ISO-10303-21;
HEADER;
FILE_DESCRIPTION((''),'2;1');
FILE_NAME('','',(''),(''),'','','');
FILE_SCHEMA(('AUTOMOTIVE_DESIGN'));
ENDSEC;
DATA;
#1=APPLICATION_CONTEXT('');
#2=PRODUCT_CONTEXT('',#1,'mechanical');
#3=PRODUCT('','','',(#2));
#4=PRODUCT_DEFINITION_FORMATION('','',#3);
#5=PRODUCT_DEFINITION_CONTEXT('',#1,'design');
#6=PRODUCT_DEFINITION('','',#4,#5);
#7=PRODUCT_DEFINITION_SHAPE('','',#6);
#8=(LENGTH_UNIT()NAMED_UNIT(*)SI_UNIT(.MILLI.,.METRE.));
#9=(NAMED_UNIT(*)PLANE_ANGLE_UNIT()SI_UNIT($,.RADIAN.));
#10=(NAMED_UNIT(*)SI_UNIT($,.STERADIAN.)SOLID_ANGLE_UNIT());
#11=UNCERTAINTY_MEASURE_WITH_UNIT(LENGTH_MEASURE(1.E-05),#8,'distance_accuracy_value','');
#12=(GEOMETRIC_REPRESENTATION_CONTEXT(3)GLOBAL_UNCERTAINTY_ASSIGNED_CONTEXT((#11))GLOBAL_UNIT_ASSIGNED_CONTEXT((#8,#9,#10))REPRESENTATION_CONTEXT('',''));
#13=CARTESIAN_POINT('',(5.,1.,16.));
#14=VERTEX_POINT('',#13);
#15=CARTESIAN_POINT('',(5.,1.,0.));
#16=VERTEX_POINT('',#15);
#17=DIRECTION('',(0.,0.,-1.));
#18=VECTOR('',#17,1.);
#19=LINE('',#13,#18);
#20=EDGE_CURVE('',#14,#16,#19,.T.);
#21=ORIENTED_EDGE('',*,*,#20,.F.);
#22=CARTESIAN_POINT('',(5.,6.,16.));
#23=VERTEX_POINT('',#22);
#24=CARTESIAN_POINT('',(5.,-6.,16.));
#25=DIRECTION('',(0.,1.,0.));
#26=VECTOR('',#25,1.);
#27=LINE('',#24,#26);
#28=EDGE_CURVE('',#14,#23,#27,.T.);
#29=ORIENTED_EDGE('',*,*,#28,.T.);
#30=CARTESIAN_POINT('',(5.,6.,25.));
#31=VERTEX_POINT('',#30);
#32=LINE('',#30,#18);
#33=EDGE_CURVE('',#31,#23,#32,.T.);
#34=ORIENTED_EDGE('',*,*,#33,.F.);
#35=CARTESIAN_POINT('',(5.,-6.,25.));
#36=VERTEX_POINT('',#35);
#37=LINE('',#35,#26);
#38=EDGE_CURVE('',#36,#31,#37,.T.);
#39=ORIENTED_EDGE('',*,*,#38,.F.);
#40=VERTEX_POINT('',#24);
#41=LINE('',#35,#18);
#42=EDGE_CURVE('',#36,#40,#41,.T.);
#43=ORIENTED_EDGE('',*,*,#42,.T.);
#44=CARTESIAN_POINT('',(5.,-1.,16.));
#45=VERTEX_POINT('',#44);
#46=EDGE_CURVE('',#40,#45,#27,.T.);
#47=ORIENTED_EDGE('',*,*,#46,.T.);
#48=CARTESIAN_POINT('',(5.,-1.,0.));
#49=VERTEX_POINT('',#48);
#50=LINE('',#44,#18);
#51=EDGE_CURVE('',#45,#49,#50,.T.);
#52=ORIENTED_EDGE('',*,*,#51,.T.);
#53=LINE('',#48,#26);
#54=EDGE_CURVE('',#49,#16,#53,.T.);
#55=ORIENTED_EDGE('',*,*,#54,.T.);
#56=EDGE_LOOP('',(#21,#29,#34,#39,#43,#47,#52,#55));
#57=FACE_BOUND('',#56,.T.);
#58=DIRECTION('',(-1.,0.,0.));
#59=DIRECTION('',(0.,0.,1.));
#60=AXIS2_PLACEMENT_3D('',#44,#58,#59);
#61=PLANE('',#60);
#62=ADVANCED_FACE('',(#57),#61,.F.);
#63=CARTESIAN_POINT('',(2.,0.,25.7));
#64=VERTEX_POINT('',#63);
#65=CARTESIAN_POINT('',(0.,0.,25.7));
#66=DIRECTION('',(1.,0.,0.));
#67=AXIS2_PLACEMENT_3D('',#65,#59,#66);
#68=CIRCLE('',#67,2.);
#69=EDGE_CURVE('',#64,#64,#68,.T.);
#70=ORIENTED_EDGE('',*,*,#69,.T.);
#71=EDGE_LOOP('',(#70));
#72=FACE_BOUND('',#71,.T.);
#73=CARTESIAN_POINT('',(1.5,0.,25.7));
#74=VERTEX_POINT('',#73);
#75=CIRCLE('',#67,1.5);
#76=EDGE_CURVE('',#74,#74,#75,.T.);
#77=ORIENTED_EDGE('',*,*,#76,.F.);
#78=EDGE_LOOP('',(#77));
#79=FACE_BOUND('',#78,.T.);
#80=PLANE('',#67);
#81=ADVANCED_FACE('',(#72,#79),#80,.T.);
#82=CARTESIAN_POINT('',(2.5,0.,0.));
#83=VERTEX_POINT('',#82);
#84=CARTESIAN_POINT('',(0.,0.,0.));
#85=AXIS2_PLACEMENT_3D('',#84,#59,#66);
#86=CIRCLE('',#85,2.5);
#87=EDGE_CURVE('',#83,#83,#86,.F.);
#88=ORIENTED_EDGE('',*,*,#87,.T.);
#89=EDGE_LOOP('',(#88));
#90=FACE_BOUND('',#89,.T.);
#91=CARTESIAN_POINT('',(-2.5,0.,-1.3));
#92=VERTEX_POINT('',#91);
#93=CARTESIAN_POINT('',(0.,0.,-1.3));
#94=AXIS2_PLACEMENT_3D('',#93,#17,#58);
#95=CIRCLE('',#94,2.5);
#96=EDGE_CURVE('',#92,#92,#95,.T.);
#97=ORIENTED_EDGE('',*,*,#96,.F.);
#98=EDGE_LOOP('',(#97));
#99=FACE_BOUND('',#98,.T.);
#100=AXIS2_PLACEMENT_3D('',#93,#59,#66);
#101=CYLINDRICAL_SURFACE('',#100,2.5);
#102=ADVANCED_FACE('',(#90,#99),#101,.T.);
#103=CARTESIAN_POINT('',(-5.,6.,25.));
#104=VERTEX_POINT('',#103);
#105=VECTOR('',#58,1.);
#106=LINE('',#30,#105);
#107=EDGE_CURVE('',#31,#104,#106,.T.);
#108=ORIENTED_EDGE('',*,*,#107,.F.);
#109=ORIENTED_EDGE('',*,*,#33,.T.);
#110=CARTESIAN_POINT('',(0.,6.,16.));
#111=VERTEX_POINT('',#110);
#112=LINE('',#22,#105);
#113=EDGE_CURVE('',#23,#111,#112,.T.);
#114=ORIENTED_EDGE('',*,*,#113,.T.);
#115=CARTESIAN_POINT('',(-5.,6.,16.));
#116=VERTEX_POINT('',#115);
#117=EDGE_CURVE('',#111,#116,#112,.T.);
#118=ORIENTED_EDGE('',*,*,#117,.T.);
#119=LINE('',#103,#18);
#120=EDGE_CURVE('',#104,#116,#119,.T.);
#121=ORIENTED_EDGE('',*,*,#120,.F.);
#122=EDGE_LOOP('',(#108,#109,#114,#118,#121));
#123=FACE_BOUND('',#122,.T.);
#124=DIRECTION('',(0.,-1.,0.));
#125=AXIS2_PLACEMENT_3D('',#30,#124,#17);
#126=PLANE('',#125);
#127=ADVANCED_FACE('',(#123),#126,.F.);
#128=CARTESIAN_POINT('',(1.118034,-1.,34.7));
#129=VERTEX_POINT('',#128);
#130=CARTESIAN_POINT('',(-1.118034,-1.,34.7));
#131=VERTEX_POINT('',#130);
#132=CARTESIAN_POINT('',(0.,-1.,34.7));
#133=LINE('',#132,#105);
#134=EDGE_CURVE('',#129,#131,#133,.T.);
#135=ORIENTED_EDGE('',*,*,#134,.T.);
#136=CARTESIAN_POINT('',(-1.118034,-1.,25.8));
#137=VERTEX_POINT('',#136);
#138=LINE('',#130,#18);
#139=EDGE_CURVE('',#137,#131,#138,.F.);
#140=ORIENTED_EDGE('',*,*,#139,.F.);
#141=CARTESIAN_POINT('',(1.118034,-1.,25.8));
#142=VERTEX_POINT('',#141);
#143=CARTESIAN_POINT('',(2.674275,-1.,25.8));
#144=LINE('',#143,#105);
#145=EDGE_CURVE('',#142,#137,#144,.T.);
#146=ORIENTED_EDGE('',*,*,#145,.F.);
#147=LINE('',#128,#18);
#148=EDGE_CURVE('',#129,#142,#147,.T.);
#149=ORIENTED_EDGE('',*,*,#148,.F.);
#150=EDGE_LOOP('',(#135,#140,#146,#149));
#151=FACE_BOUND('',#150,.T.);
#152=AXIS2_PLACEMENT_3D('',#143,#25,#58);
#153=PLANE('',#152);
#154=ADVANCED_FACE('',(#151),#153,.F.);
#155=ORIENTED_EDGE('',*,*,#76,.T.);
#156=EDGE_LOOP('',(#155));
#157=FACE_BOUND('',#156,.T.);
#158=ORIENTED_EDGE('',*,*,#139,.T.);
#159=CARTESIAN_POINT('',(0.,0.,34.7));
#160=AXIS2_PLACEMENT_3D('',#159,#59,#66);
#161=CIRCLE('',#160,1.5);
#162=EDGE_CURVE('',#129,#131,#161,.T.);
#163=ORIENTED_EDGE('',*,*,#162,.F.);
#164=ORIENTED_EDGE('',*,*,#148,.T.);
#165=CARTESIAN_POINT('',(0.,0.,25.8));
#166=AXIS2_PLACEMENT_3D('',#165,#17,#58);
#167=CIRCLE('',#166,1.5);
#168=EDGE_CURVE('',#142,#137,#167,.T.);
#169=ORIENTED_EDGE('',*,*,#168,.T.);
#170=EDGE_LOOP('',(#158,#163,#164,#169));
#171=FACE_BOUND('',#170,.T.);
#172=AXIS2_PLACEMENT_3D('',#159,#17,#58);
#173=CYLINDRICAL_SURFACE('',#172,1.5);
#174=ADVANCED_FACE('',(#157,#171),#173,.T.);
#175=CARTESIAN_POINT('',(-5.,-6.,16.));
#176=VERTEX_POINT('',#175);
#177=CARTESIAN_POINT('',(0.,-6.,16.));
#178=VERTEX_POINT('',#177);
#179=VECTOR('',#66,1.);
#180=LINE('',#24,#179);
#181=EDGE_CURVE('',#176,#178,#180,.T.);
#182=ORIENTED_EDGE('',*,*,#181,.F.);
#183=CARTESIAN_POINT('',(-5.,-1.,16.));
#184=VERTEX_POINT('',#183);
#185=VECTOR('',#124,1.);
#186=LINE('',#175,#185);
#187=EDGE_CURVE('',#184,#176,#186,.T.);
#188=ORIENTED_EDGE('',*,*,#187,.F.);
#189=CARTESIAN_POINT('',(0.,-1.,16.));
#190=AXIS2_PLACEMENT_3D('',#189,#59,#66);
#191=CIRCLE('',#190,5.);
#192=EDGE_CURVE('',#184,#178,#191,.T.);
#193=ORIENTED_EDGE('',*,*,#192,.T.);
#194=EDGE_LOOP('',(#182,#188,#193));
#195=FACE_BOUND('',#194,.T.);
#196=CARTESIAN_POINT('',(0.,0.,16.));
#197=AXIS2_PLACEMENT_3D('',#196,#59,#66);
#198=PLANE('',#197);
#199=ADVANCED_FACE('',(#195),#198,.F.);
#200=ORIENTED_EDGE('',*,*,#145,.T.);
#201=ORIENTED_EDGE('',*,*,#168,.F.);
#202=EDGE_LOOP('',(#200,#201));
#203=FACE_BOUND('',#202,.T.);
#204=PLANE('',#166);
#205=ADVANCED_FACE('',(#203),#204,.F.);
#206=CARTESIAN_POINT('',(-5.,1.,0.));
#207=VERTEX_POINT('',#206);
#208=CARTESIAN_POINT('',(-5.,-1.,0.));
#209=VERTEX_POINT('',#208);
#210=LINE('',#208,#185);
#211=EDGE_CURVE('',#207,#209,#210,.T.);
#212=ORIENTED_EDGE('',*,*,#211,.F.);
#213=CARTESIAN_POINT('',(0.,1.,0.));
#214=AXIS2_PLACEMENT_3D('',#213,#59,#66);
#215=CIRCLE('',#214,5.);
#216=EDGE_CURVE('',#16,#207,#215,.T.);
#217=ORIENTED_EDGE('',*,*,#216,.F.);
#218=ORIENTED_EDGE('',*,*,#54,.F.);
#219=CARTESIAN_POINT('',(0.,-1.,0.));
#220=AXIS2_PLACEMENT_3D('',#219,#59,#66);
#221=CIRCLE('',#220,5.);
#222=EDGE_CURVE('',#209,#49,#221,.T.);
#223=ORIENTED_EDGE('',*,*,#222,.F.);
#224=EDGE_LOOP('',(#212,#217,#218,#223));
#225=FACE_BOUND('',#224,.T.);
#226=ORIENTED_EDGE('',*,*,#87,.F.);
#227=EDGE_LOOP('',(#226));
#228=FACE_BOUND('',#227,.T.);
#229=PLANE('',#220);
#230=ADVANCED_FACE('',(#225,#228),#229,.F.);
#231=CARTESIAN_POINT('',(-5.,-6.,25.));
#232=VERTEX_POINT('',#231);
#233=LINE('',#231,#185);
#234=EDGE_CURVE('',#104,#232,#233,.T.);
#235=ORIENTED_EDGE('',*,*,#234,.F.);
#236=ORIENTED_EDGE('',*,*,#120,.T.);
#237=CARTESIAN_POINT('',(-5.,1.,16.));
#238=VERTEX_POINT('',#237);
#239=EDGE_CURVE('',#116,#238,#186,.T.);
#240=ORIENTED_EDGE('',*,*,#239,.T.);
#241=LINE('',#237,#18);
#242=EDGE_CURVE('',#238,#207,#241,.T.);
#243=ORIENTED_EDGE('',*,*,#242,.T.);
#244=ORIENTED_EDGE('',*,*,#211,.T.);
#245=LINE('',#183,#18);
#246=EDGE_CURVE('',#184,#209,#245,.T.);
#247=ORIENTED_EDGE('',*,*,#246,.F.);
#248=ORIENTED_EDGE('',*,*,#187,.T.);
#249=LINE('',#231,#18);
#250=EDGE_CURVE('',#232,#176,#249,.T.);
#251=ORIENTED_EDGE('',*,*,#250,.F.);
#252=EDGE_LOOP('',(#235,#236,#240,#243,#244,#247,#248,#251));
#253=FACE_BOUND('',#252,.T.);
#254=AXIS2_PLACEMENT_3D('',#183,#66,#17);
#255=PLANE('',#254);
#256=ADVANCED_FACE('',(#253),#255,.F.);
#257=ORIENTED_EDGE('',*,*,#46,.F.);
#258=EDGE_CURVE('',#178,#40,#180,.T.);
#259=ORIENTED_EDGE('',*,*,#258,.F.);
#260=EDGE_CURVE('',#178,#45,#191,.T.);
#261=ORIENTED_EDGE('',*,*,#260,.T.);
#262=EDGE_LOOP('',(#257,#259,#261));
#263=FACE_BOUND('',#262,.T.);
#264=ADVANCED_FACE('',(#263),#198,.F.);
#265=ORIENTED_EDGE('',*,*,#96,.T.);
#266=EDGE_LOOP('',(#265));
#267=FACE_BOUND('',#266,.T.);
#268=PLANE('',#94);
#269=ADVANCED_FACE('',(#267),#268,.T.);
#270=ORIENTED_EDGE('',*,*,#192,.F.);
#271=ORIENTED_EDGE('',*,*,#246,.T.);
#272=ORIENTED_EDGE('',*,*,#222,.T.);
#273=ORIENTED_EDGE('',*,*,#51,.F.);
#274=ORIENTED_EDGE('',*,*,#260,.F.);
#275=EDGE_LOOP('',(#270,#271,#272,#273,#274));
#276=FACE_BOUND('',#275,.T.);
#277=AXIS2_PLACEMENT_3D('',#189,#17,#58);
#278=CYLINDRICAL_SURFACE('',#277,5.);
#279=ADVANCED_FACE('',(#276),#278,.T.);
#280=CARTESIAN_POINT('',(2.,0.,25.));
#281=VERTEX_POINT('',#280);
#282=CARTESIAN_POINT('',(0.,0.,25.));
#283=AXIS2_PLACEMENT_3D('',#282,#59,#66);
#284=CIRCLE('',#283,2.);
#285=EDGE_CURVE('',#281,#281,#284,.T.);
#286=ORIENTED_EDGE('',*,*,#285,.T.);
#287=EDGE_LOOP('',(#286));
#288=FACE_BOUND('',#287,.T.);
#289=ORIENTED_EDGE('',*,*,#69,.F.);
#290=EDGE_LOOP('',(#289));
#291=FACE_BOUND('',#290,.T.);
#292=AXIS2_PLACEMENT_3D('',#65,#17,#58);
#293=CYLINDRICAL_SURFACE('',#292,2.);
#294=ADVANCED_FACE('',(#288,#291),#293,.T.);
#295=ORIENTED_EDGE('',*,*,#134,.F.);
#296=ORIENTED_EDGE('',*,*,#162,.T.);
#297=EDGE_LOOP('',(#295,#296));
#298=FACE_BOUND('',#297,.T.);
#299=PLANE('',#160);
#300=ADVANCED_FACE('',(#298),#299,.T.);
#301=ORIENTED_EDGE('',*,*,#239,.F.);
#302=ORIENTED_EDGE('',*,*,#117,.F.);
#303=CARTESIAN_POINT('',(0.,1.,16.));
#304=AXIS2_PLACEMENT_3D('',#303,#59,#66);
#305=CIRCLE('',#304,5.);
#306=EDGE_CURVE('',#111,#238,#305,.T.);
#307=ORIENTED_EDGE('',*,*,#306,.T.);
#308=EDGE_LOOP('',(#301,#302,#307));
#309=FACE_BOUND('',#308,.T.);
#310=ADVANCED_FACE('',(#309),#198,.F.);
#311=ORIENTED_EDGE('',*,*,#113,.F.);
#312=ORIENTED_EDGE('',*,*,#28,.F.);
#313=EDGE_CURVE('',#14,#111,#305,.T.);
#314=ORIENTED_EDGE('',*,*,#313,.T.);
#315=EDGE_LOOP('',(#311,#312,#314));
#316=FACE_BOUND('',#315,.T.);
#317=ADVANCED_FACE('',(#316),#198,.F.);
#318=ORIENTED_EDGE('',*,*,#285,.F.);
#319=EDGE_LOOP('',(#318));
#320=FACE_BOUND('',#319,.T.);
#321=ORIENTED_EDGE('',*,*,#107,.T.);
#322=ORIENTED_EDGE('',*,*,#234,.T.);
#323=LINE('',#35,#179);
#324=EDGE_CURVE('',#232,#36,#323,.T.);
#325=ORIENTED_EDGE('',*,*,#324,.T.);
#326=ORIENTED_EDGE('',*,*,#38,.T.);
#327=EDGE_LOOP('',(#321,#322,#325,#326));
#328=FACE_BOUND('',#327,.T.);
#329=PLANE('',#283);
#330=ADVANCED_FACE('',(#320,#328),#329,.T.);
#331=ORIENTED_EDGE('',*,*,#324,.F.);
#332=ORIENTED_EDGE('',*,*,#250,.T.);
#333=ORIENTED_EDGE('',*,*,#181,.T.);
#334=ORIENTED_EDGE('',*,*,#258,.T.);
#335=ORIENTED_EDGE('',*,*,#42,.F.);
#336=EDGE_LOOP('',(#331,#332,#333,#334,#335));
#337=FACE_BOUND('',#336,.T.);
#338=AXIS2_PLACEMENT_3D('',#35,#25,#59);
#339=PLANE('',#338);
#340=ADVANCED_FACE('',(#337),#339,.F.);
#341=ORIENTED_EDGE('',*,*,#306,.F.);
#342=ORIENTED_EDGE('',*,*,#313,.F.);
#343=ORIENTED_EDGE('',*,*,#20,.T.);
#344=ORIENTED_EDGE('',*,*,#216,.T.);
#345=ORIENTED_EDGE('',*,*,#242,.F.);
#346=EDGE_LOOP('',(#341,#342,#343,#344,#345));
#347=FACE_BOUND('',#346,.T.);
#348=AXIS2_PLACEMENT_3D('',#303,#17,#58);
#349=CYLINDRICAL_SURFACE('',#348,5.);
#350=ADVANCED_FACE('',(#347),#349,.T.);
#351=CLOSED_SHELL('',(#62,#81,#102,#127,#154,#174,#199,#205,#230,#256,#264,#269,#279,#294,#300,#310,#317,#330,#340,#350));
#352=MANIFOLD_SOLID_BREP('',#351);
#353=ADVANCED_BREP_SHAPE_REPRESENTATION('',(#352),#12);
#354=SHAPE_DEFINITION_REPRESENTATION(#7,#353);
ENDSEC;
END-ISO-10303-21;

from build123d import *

# Parameters (mm, degrees)
BOSS_EXTRUDE1_DEPTH = 16
SKETCH2_R           = 2.5
BOSS_EXTRUDE2_DEPTH = 1.3
SKETCH3_W           = 10
SKETCH3_H           = 12
BOSS_EXTRUDE3_DEPTH = 9
SKETCH4_R           = 2
BOSS_EXTRUDE4_DEPTH = 0.7
SKETCH5_R           = 1.5
BOSS_EXTRUDE5_DEPTH = 9
SKETCH6_W           = 5.348549536
SKETCH6_H           = 1.415696151
CUT_EXTRUDE1_DEPTH  = 8.9


with BuildPart() as part:
    # Sketch1 → Boss-Extrude1 (new body)
    with BuildSketch(Plane.XY):
        with BuildLine():
            Line((-5, -1), (-5, 1))
            ThreePointArc((-5, 1), (0, 6), (5, 1))
            Line((5, 1), (5, -1))
            ThreePointArc((5, -1), (0, -6), (-5, -1))
        make_face()
    extrude(amount=BOSS_EXTRUDE1_DEPTH)

    # Sketch2 → Boss-Extrude2 (add)
    with BuildSketch(Plane(origin=(0, 0, 0), x_dir=(-1, 0, 0), z_dir=(0, 0, -1))):
        Circle(SKETCH2_R)
    extrude(amount=BOSS_EXTRUDE2_DEPTH)

    # Sketch3 → Boss-Extrude3 (add)
    with BuildSketch(Plane.XY.offset(16)):
        Rectangle(SKETCH3_W, SKETCH3_H)
    extrude(amount=BOSS_EXTRUDE3_DEPTH)

    # Sketch4 → Boss-Extrude4 (add)
    with BuildSketch(Plane.XY.offset(25)):
        Circle(SKETCH4_R)
    extrude(amount=BOSS_EXTRUDE4_DEPTH)

    # Sketch5 → Boss-Extrude5 (add)
    with BuildSketch(Plane.XY.offset(25.7)):
        Circle(SKETCH5_R)
    extrude(amount=BOSS_EXTRUDE5_DEPTH)

    # Sketch6 → Cut-Extrude1 (cut)
    with BuildSketch(Plane.XY.offset(34.7)):
        with Locations((0, -1.707848076)):
            Rectangle(SKETCH6_W, SKETCH6_H)
    extrude(amount=-CUT_EXTRUDE1_DEPTH, mode=Mode.SUBTRACT)


solid = part.part
